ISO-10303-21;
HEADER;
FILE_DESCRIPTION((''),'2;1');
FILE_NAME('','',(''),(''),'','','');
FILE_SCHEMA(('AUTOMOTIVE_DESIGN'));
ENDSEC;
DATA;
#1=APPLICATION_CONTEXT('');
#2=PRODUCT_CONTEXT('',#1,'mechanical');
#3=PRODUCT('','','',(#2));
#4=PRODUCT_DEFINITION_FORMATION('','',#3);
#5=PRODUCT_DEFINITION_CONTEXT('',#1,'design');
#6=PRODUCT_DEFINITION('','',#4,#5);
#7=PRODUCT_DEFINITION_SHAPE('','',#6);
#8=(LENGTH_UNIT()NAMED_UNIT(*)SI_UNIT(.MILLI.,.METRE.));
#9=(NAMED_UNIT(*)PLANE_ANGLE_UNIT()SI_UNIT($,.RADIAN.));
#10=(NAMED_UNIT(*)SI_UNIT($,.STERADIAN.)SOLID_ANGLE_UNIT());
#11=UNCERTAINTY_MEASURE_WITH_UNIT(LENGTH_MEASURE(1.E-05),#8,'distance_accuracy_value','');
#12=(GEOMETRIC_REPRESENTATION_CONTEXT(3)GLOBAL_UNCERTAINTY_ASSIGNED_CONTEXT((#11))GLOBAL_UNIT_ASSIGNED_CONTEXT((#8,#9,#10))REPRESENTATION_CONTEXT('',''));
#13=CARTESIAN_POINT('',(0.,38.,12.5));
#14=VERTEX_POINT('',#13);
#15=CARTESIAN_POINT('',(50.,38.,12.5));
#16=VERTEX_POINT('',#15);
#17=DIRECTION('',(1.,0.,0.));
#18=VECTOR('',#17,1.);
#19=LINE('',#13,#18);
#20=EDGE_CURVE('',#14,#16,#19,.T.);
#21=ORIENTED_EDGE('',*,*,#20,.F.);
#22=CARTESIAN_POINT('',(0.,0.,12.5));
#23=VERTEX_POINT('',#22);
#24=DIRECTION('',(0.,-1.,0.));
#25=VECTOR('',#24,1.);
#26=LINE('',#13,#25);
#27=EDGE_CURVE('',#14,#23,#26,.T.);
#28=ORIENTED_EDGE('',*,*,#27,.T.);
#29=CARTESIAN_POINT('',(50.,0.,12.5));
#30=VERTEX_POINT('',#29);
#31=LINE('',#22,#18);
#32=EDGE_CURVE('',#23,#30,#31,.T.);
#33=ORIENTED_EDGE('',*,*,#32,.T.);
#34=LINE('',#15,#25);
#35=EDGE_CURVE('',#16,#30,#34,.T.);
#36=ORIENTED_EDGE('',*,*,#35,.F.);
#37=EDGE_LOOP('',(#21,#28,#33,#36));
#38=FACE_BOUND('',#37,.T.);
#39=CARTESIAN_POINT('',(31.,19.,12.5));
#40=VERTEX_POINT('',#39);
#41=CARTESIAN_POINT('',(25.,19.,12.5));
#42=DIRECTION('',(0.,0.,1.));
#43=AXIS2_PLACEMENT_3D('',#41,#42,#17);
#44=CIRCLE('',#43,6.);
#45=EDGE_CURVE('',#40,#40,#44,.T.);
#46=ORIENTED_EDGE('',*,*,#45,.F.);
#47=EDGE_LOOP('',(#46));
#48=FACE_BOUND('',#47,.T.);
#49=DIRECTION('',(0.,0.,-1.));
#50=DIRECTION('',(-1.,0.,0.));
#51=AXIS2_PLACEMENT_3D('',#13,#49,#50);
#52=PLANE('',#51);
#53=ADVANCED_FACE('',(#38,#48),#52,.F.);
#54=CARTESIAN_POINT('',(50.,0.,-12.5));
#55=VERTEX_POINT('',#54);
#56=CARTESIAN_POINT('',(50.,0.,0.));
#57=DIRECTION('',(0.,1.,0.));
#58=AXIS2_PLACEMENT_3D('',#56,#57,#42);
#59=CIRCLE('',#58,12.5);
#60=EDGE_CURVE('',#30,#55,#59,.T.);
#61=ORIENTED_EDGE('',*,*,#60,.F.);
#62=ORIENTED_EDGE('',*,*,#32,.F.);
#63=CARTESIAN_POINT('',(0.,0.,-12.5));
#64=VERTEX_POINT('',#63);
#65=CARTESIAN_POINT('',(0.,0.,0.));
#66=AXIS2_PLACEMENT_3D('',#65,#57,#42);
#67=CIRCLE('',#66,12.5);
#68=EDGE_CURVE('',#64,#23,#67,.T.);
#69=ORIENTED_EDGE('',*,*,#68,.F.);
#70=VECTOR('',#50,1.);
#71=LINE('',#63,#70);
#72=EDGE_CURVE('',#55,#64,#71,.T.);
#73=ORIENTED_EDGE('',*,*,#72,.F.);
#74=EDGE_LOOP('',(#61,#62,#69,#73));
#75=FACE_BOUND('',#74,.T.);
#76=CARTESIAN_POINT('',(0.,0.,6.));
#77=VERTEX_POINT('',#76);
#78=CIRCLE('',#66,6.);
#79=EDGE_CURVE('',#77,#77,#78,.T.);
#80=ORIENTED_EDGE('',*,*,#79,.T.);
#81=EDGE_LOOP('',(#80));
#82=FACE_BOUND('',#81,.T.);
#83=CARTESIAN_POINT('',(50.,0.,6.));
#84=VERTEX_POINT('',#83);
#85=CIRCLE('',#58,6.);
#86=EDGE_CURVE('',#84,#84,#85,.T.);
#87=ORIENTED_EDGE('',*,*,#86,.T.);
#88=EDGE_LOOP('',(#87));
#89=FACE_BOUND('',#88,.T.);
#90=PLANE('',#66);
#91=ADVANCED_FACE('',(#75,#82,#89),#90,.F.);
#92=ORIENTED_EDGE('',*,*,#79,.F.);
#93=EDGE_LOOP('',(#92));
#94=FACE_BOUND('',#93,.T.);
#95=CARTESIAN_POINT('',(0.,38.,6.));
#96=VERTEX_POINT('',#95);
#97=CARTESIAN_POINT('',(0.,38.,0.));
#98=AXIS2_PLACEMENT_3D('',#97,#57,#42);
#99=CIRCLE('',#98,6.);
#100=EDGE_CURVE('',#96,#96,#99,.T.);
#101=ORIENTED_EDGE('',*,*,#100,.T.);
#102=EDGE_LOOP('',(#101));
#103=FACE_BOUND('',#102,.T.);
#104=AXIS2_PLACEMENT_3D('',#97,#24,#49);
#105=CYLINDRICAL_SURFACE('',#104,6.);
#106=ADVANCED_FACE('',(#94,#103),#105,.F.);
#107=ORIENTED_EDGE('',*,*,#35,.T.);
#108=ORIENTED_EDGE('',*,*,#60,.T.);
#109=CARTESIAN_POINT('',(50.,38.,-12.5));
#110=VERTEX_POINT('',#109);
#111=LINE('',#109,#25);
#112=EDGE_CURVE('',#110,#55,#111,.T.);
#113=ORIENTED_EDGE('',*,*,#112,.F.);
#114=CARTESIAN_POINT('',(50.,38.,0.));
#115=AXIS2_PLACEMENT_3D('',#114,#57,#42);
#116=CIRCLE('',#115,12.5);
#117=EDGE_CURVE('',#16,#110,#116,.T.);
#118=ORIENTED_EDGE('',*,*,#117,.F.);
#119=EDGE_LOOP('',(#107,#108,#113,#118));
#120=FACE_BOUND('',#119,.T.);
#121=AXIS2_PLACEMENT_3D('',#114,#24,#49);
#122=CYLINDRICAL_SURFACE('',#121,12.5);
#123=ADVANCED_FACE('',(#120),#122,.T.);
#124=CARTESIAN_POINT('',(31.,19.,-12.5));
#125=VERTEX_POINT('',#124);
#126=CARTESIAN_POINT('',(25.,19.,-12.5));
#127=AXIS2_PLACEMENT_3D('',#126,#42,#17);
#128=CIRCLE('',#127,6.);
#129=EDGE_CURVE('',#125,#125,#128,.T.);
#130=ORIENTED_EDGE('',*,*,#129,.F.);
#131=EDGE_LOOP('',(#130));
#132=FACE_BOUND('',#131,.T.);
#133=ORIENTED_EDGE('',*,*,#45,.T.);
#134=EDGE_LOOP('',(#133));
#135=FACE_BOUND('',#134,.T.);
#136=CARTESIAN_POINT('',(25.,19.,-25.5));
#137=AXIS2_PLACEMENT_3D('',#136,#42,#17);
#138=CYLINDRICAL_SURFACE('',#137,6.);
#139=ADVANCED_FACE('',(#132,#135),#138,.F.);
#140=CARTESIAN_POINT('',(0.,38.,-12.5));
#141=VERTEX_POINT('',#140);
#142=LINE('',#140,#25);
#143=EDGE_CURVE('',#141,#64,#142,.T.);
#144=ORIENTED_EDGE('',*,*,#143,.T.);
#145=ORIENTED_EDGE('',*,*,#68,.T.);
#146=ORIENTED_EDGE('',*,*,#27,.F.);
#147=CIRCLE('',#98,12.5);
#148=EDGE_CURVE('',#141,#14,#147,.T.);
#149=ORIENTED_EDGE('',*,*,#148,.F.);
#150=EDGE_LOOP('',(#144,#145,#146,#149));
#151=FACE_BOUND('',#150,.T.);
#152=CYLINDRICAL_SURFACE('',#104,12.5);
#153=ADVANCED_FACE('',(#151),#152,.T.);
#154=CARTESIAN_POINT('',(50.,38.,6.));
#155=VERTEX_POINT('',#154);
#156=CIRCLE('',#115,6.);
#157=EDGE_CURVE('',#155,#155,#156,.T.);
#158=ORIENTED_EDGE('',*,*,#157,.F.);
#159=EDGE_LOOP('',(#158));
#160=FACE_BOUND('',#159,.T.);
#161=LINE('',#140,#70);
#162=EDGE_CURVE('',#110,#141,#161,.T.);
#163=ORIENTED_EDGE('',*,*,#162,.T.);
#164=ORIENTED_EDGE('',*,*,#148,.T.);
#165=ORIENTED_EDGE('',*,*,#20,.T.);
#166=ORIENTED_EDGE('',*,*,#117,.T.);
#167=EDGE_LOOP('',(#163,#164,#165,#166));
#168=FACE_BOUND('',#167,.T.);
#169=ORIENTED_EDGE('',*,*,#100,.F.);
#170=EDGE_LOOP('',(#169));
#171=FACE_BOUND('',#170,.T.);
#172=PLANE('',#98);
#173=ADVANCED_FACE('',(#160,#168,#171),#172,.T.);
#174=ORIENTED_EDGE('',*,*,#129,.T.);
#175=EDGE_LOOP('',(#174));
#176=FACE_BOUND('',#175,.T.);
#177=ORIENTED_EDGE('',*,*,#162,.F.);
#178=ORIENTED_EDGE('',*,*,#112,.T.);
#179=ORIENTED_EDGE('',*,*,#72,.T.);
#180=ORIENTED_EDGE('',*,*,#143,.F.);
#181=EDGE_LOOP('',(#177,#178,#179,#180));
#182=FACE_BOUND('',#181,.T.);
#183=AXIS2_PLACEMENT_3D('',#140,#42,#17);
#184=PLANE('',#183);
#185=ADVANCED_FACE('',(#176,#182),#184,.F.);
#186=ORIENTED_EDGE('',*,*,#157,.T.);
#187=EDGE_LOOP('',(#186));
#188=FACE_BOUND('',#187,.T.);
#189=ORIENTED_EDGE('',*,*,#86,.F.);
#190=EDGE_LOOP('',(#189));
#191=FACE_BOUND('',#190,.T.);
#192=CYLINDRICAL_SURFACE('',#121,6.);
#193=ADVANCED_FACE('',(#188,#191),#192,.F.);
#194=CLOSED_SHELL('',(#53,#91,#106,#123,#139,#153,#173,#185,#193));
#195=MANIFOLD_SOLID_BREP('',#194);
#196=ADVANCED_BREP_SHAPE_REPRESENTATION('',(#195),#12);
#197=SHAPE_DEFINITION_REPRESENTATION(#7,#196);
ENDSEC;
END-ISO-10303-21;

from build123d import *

# Parameters (mm, degrees)
SKETCH1_R           = 6
BOSS_EXTRUDE1_DEPTH = 38
SKETCH3_R           = 6
CUT_EXTRUDE1_DEPTH  = 38


with BuildPart() as part:
    # Sketch1 → Boss-Extrude1 (new body)
    with BuildSketch(Plane(origin=(0, 0, 0), x_dir=(1, 0, 0), z_dir=(0, 1, 0))):
        with BuildLine():
            Line((0, 12.5), (50, 12.5))
            ThreePointArc((50, 12.5), (62.5, 0), (50, -12.5))
            Line((50, -12.5), (0, -12.5))
            ThreePointArc((0, -12.5), (-12.5, 0), (0, 12.5))
        make_face()
        Circle(SKETCH1_R, mode=Mode.SUBTRACT)
        with Locations((50, 0)):
            Circle(SKETCH1_R, mode=Mode.SUBTRACT)
    extrude(amount=BOSS_EXTRUDE1_DEPTH)

    # Sketch3 → Cut-Extrude1 (cut)
    with BuildSketch(Plane.XY.offset(12.5)):
        with Locations((25, 19)):
            Circle(SKETCH3_R)
    extrude(amount=-CUT_EXTRUDE1_DEPTH, mode=Mode.SUBTRACT)


solid = part.part
